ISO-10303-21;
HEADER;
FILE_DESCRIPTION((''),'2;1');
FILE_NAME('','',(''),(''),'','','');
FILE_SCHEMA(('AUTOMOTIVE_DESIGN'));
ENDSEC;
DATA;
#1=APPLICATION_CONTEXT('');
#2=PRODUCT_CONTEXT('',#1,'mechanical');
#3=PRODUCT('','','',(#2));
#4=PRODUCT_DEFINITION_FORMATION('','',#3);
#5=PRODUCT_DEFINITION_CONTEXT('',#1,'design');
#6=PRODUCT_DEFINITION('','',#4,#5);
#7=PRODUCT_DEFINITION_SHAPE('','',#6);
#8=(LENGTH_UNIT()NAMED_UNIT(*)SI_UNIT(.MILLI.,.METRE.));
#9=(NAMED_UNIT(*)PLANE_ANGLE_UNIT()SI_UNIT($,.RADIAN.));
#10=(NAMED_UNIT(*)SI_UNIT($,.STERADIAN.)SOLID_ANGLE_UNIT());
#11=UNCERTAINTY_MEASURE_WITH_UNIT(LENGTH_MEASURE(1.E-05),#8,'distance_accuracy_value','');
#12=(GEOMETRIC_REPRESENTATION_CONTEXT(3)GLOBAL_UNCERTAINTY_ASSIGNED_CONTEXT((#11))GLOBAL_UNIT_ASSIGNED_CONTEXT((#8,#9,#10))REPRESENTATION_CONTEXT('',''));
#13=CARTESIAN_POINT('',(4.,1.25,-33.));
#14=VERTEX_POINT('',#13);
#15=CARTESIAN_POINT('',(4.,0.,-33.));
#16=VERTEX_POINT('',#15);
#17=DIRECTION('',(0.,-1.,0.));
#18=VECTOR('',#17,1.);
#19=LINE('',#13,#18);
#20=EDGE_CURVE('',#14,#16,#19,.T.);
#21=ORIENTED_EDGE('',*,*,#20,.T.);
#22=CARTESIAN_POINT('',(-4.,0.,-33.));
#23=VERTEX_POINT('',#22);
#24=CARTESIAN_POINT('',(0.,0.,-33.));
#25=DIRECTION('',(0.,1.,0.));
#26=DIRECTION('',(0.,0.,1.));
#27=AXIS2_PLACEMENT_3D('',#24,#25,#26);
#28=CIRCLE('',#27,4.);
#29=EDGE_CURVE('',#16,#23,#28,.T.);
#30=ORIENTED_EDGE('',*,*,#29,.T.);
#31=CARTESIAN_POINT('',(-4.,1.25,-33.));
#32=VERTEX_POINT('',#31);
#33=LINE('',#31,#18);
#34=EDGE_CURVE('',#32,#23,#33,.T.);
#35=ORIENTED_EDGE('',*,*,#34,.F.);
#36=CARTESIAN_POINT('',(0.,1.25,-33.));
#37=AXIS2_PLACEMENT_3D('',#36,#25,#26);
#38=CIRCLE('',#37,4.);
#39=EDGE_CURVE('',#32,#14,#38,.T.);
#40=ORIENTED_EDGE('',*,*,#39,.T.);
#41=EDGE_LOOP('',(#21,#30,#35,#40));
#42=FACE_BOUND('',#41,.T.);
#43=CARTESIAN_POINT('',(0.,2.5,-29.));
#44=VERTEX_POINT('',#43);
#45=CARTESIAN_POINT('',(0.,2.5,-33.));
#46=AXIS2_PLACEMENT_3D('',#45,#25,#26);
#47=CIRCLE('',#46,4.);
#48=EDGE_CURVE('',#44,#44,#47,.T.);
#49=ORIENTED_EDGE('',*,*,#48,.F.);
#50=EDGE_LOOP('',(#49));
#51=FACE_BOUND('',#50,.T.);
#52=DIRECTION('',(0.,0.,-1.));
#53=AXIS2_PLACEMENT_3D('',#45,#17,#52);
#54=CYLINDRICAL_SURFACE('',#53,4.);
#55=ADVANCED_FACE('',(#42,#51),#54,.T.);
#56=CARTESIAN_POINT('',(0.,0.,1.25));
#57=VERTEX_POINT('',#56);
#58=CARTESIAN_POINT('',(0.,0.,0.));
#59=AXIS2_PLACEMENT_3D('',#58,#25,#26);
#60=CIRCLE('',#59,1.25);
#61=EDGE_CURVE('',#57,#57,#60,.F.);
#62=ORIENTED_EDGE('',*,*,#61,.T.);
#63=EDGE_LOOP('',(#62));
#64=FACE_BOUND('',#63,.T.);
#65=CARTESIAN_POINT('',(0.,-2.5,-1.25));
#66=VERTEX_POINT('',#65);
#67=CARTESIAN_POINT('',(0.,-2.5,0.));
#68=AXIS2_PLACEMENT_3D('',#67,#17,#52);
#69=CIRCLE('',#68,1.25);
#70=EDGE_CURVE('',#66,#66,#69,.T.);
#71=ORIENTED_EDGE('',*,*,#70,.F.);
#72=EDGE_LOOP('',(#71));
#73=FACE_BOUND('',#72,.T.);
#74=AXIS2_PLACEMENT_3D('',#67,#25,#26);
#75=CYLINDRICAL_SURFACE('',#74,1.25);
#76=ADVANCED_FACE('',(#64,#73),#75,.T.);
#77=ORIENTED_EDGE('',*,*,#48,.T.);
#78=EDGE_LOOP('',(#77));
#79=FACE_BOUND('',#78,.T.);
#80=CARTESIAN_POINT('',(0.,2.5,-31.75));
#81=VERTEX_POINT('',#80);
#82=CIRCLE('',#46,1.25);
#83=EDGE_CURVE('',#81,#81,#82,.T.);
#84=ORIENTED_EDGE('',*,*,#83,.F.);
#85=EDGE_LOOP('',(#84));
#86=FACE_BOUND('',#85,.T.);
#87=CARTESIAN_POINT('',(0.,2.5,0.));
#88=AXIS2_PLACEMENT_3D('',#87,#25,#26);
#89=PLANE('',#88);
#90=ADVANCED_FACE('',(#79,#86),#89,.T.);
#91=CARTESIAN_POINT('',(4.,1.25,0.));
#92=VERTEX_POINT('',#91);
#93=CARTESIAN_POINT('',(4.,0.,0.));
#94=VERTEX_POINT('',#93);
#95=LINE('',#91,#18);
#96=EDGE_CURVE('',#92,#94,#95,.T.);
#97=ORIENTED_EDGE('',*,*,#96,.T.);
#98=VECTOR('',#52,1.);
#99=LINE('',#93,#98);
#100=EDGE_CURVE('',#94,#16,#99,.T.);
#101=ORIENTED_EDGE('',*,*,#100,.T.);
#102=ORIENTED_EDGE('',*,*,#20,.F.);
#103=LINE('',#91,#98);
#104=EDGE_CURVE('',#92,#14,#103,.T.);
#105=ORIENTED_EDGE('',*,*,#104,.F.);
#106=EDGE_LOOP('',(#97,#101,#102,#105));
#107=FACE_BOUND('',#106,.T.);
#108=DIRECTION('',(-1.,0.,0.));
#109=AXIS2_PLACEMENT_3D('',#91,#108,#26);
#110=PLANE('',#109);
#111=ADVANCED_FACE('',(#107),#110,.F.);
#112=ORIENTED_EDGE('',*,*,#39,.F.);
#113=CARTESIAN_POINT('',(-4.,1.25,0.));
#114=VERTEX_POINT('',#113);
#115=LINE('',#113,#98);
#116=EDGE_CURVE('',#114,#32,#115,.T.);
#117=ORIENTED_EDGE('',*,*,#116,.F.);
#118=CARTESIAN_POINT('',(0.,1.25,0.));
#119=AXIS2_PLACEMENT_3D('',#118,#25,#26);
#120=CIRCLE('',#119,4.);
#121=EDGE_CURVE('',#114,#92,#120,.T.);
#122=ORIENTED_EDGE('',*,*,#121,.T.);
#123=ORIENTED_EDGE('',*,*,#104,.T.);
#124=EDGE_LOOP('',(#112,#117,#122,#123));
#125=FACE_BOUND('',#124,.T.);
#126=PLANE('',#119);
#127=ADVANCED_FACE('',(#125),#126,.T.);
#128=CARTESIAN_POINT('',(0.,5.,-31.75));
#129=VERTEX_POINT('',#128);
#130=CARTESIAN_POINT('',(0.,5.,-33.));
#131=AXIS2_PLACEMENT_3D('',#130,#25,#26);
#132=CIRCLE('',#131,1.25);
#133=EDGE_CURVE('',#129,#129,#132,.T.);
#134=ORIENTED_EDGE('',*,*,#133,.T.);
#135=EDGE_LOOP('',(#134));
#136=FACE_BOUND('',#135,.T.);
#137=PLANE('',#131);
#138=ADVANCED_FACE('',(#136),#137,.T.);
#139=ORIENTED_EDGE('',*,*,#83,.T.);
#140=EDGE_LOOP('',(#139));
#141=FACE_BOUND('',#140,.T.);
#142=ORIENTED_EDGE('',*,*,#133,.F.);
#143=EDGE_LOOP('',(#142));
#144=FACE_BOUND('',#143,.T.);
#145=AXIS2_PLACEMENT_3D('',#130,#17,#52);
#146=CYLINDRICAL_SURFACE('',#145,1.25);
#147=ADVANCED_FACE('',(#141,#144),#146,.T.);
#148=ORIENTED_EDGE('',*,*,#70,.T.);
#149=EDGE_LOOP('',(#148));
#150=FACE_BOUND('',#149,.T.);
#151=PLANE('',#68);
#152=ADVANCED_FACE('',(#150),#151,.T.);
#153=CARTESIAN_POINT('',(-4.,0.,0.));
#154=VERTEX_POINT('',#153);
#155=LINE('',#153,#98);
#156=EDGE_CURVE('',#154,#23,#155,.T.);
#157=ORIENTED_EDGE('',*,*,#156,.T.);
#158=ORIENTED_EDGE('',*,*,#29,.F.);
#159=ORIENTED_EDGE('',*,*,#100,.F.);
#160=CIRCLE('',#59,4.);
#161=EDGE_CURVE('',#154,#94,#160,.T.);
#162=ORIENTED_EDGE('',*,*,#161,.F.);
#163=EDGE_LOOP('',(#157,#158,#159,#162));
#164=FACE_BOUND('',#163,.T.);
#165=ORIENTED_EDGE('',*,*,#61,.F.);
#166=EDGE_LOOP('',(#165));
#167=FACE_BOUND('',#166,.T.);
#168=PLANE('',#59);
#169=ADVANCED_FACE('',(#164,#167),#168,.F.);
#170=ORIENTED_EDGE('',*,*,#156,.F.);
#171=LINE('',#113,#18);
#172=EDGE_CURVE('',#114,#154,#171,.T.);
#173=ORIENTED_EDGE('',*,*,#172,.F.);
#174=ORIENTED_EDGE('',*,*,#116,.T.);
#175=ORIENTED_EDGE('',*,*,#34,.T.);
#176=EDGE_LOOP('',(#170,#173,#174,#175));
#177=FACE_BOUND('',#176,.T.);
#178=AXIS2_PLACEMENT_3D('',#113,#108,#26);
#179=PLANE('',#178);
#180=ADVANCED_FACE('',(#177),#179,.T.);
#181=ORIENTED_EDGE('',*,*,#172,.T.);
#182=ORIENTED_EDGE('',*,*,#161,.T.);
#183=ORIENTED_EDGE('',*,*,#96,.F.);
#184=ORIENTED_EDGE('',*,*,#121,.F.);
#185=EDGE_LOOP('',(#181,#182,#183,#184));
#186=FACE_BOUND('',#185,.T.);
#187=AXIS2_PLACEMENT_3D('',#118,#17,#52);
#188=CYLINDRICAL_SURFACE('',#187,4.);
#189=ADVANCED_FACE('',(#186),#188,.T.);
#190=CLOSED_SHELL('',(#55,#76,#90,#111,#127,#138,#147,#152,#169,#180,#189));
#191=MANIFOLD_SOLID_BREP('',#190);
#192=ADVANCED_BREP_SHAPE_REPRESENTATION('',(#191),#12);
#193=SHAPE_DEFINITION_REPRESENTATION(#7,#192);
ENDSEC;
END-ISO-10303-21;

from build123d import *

# Parameters (mm, degrees)
BOSS_EXTRUDE1_DEPTH = 2.5
BOSS_EXTRUDE5_DEPTH = 1.25
SKETCH4_R           = 1.25
BOSS_EXTRUDE6_DEPTH = 2.5
SKETCH5_R           = 1.25
BOSS_EXTRUDE7_DEPTH = 2.5


with BuildPart() as part:
    # Sketch1 → Boss-Extrude1 (new body)
    with BuildSketch(Plane(origin=(0, 0, 0), x_dir=(1, 0, 0), z_dir=(0, 1, 0))):
        with BuildLine():
            ThreePointArc((4, 33), (0, 37), (-4, 33))
            ThreePointArc((-4, 33), (0, 29), (4, 33))
        make_face()
    extrude(amount=BOSS_EXTRUDE1_DEPTH)

    # Sketch1<5> → Boss-Extrude5 (add)
    with BuildSketch(Plane(origin=(0, 0, 0), x_dir=(1, 0, 0), z_dir=(0, 1, 0))):
        with BuildLine():
            Line((-4, 33), (-4, 0))
            ThreePointArc((-4, 0), (0, -4), (4, 0))
            Line((4, 0), (4, 33))
            ThreePointArc((4, 33), (0, 29), (-4, 33))
        make_face()
    extrude(amount=BOSS_EXTRUDE5_DEPTH)

    # Sketch4 → Boss-Extrude6 (add)
    with BuildSketch(Plane(origin=(0, 2.5, 0), x_dir=(1, 0, 0), z_dir=(0, 1, 0))):
        with Locations((0, 33)):
            Circle(SKETCH4_R)
    extrude(amount=BOSS_EXTRUDE6_DEPTH)

    # Sketch5 → Boss-Extrude7 (add)
    with BuildSketch(Plane.XZ):
        Circle(SKETCH5_R)
    extrude(amount=BOSS_EXTRUDE7_DEPTH)


solid = part.part
